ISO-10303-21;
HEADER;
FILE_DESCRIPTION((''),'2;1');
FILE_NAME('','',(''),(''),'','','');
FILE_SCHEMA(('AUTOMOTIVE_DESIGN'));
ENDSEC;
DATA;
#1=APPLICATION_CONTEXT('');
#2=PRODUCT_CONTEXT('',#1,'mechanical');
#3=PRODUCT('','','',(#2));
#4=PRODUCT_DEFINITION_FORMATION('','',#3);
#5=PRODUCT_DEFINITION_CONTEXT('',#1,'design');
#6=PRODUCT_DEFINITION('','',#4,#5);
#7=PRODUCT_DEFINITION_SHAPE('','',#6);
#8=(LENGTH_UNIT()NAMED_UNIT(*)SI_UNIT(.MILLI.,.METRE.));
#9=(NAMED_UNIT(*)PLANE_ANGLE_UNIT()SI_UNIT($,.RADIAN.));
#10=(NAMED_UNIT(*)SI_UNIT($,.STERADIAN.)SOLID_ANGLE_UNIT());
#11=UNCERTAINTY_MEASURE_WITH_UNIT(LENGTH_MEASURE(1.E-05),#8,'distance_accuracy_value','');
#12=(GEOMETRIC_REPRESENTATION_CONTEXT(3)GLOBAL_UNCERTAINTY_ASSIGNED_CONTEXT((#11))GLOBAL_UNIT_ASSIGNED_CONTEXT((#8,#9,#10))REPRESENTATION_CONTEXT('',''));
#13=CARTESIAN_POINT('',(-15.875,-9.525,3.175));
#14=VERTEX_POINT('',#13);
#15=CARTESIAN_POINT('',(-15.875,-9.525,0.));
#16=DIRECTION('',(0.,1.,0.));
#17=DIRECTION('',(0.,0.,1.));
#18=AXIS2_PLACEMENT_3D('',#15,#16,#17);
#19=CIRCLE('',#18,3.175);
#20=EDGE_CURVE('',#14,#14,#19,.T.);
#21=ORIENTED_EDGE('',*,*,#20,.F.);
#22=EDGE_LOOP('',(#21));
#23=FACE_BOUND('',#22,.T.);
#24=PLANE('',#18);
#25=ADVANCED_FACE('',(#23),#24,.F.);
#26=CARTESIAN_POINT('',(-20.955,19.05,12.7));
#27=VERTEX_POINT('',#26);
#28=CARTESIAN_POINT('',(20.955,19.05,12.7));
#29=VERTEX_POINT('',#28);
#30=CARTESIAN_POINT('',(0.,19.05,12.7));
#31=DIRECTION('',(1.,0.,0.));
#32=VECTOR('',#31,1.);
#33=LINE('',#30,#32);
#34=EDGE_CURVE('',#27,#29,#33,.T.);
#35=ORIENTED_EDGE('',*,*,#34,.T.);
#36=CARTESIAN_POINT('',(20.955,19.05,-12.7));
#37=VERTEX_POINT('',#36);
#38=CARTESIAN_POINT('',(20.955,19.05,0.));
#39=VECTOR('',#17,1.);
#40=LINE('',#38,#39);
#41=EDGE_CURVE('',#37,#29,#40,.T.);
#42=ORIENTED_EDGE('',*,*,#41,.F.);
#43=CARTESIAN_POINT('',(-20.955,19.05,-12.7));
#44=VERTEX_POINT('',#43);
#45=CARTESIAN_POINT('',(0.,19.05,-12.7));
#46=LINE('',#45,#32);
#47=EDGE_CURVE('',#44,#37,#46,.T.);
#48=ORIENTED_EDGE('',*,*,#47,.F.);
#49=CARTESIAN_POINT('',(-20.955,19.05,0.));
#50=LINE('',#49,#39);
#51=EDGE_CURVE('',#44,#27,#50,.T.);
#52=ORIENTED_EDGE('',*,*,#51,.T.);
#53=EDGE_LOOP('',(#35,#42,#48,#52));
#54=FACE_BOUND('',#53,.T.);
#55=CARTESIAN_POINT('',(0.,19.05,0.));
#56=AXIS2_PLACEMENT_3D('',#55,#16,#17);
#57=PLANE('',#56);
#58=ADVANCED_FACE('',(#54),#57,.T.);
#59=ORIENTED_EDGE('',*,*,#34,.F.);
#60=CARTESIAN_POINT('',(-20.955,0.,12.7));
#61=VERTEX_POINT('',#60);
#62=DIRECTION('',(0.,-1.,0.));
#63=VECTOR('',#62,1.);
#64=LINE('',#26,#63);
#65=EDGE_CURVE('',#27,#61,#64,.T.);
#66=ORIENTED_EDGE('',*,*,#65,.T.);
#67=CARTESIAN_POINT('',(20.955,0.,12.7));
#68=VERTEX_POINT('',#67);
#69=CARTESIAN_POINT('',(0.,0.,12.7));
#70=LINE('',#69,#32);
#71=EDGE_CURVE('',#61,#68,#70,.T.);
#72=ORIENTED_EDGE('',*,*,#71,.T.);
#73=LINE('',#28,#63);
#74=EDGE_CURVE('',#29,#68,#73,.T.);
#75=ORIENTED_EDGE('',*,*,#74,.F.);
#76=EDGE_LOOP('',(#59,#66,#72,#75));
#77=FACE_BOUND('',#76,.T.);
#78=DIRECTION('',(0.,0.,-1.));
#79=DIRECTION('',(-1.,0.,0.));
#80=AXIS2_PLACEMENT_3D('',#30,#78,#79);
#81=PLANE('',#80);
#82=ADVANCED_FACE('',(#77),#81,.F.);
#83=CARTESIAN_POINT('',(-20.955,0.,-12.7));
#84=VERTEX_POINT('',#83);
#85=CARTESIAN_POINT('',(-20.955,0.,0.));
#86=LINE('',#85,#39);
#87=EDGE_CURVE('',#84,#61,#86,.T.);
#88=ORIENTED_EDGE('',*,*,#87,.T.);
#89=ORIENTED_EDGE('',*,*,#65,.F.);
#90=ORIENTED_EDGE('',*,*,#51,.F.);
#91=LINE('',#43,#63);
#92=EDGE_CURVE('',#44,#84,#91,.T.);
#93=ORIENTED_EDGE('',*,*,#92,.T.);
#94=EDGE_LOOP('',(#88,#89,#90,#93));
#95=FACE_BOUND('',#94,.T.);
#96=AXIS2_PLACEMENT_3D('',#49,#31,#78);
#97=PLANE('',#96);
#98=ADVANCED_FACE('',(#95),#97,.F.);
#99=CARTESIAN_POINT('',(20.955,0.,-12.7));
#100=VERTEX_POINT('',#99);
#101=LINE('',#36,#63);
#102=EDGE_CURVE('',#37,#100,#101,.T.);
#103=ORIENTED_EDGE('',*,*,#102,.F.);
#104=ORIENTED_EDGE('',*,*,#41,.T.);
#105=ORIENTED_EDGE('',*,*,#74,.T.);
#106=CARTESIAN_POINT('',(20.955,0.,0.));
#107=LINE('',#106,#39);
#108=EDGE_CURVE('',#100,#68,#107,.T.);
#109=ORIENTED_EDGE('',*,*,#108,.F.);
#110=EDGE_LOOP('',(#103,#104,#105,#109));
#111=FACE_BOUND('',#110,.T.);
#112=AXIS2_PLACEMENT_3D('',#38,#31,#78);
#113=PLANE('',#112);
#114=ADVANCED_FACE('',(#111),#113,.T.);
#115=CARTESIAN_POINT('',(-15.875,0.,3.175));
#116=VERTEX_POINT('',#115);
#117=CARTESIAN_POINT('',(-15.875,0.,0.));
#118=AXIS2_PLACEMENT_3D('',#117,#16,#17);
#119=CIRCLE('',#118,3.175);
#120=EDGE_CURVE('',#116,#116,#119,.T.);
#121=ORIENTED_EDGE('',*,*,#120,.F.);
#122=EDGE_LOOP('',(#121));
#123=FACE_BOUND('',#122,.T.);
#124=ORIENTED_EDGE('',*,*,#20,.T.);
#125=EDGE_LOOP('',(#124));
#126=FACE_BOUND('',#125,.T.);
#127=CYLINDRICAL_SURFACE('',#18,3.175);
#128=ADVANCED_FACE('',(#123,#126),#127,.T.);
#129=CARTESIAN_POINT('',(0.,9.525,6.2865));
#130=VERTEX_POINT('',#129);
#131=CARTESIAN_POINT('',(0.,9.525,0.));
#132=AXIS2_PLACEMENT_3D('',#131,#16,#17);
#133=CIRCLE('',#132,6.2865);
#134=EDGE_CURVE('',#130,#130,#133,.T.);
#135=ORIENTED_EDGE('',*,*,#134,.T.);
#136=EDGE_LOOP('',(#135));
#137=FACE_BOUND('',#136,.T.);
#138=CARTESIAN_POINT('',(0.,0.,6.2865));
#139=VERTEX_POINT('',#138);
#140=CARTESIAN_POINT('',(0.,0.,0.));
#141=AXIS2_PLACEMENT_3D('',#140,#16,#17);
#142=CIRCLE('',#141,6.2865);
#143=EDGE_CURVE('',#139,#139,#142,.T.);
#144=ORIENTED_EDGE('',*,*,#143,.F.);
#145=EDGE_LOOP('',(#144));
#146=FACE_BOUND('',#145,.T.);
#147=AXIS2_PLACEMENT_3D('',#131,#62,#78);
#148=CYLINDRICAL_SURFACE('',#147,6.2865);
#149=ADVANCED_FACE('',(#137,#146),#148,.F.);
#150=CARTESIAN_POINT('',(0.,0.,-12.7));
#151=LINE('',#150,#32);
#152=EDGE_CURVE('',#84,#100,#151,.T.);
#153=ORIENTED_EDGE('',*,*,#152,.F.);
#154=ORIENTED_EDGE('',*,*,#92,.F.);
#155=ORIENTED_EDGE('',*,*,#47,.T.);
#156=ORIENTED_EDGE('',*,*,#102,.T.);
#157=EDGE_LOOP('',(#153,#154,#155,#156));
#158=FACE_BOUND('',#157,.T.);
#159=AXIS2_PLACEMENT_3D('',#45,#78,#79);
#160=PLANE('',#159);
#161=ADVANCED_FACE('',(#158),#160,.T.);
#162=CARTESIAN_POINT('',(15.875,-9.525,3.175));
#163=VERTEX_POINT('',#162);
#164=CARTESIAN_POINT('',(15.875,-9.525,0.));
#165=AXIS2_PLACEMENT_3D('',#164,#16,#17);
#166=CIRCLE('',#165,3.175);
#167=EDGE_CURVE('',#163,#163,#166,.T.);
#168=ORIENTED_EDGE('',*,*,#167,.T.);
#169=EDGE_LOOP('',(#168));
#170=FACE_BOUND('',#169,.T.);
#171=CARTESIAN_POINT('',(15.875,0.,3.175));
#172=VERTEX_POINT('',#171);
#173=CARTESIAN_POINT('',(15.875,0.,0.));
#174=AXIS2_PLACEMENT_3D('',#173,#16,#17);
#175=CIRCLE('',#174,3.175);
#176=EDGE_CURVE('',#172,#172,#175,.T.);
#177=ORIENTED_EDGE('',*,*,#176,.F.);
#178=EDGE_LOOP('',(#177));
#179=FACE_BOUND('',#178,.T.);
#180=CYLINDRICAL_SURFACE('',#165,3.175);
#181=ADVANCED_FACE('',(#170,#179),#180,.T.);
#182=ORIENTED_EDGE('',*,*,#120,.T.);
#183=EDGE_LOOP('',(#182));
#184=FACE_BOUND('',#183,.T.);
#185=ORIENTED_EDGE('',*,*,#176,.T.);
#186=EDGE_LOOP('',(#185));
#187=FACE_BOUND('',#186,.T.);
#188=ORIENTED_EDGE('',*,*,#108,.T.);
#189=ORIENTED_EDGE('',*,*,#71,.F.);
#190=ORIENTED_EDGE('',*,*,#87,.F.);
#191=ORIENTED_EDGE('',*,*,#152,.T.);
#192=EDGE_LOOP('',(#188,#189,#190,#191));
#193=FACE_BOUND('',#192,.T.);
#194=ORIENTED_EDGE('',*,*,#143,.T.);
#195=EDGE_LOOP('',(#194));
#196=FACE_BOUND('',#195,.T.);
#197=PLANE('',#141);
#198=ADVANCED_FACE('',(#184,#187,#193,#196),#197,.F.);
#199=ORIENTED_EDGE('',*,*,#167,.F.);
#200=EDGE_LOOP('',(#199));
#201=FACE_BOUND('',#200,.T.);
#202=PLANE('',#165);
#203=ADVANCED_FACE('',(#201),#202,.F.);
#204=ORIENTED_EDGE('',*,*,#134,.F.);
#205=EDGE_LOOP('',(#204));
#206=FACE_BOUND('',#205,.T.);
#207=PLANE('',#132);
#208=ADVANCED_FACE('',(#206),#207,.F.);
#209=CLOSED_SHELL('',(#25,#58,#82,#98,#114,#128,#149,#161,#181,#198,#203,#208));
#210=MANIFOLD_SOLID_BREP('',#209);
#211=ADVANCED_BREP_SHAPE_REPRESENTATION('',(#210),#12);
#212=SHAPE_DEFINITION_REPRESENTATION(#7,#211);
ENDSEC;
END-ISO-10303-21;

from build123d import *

# Parameters (mm, degrees)
SKETCH1_W           = 41.91
SKETCH1_H           = 25.4
BOSS_EXTRUDE1_DEPTH = 19.05
SKETCH1_4_R         = 6.2865
CUT_EXTRUDE1_DEPTH  = 9.525
SKETCH1_5_R         = 3.175
BOSS_EXTRUDE2_DEPTH = 9.525


with BuildPart() as part:
    # Sketch1 → Boss-Extrude1 (new body)
    with BuildSketch(Plane(origin=(0, 0, 0), x_dir=(1, 0, 0), z_dir=(0, 1, 0))):
        Rectangle(SKETCH1_W, SKETCH1_H)
    extrude(amount=BOSS_EXTRUDE1_DEPTH)

    # Sketch1<4> → Cut-Extrude1 (cut)
    with BuildSketch(Plane(origin=(0, 0, 0), x_dir=(1, 0, 0), z_dir=(0, 1, 0))):
        Circle(SKETCH1_4_R)
    extrude(amount=CUT_EXTRUDE1_DEPTH, mode=Mode.SUBTRACT)

    # Sketch1<5> → Boss-Extrude2 (add)
    with BuildSketch(Plane(origin=(0, 0, 0), x_dir=(1, 0, 0), z_dir=(0, 1, 0))):
        with Locations((-15.875, 0)):
            Circle(SKETCH1_5_R)
        with Locations((15.875, 0)):
            Circle(SKETCH1_5_R)
    extrude(amount=-BOSS_EXTRUDE2_DEPTH)


solid = part.part
